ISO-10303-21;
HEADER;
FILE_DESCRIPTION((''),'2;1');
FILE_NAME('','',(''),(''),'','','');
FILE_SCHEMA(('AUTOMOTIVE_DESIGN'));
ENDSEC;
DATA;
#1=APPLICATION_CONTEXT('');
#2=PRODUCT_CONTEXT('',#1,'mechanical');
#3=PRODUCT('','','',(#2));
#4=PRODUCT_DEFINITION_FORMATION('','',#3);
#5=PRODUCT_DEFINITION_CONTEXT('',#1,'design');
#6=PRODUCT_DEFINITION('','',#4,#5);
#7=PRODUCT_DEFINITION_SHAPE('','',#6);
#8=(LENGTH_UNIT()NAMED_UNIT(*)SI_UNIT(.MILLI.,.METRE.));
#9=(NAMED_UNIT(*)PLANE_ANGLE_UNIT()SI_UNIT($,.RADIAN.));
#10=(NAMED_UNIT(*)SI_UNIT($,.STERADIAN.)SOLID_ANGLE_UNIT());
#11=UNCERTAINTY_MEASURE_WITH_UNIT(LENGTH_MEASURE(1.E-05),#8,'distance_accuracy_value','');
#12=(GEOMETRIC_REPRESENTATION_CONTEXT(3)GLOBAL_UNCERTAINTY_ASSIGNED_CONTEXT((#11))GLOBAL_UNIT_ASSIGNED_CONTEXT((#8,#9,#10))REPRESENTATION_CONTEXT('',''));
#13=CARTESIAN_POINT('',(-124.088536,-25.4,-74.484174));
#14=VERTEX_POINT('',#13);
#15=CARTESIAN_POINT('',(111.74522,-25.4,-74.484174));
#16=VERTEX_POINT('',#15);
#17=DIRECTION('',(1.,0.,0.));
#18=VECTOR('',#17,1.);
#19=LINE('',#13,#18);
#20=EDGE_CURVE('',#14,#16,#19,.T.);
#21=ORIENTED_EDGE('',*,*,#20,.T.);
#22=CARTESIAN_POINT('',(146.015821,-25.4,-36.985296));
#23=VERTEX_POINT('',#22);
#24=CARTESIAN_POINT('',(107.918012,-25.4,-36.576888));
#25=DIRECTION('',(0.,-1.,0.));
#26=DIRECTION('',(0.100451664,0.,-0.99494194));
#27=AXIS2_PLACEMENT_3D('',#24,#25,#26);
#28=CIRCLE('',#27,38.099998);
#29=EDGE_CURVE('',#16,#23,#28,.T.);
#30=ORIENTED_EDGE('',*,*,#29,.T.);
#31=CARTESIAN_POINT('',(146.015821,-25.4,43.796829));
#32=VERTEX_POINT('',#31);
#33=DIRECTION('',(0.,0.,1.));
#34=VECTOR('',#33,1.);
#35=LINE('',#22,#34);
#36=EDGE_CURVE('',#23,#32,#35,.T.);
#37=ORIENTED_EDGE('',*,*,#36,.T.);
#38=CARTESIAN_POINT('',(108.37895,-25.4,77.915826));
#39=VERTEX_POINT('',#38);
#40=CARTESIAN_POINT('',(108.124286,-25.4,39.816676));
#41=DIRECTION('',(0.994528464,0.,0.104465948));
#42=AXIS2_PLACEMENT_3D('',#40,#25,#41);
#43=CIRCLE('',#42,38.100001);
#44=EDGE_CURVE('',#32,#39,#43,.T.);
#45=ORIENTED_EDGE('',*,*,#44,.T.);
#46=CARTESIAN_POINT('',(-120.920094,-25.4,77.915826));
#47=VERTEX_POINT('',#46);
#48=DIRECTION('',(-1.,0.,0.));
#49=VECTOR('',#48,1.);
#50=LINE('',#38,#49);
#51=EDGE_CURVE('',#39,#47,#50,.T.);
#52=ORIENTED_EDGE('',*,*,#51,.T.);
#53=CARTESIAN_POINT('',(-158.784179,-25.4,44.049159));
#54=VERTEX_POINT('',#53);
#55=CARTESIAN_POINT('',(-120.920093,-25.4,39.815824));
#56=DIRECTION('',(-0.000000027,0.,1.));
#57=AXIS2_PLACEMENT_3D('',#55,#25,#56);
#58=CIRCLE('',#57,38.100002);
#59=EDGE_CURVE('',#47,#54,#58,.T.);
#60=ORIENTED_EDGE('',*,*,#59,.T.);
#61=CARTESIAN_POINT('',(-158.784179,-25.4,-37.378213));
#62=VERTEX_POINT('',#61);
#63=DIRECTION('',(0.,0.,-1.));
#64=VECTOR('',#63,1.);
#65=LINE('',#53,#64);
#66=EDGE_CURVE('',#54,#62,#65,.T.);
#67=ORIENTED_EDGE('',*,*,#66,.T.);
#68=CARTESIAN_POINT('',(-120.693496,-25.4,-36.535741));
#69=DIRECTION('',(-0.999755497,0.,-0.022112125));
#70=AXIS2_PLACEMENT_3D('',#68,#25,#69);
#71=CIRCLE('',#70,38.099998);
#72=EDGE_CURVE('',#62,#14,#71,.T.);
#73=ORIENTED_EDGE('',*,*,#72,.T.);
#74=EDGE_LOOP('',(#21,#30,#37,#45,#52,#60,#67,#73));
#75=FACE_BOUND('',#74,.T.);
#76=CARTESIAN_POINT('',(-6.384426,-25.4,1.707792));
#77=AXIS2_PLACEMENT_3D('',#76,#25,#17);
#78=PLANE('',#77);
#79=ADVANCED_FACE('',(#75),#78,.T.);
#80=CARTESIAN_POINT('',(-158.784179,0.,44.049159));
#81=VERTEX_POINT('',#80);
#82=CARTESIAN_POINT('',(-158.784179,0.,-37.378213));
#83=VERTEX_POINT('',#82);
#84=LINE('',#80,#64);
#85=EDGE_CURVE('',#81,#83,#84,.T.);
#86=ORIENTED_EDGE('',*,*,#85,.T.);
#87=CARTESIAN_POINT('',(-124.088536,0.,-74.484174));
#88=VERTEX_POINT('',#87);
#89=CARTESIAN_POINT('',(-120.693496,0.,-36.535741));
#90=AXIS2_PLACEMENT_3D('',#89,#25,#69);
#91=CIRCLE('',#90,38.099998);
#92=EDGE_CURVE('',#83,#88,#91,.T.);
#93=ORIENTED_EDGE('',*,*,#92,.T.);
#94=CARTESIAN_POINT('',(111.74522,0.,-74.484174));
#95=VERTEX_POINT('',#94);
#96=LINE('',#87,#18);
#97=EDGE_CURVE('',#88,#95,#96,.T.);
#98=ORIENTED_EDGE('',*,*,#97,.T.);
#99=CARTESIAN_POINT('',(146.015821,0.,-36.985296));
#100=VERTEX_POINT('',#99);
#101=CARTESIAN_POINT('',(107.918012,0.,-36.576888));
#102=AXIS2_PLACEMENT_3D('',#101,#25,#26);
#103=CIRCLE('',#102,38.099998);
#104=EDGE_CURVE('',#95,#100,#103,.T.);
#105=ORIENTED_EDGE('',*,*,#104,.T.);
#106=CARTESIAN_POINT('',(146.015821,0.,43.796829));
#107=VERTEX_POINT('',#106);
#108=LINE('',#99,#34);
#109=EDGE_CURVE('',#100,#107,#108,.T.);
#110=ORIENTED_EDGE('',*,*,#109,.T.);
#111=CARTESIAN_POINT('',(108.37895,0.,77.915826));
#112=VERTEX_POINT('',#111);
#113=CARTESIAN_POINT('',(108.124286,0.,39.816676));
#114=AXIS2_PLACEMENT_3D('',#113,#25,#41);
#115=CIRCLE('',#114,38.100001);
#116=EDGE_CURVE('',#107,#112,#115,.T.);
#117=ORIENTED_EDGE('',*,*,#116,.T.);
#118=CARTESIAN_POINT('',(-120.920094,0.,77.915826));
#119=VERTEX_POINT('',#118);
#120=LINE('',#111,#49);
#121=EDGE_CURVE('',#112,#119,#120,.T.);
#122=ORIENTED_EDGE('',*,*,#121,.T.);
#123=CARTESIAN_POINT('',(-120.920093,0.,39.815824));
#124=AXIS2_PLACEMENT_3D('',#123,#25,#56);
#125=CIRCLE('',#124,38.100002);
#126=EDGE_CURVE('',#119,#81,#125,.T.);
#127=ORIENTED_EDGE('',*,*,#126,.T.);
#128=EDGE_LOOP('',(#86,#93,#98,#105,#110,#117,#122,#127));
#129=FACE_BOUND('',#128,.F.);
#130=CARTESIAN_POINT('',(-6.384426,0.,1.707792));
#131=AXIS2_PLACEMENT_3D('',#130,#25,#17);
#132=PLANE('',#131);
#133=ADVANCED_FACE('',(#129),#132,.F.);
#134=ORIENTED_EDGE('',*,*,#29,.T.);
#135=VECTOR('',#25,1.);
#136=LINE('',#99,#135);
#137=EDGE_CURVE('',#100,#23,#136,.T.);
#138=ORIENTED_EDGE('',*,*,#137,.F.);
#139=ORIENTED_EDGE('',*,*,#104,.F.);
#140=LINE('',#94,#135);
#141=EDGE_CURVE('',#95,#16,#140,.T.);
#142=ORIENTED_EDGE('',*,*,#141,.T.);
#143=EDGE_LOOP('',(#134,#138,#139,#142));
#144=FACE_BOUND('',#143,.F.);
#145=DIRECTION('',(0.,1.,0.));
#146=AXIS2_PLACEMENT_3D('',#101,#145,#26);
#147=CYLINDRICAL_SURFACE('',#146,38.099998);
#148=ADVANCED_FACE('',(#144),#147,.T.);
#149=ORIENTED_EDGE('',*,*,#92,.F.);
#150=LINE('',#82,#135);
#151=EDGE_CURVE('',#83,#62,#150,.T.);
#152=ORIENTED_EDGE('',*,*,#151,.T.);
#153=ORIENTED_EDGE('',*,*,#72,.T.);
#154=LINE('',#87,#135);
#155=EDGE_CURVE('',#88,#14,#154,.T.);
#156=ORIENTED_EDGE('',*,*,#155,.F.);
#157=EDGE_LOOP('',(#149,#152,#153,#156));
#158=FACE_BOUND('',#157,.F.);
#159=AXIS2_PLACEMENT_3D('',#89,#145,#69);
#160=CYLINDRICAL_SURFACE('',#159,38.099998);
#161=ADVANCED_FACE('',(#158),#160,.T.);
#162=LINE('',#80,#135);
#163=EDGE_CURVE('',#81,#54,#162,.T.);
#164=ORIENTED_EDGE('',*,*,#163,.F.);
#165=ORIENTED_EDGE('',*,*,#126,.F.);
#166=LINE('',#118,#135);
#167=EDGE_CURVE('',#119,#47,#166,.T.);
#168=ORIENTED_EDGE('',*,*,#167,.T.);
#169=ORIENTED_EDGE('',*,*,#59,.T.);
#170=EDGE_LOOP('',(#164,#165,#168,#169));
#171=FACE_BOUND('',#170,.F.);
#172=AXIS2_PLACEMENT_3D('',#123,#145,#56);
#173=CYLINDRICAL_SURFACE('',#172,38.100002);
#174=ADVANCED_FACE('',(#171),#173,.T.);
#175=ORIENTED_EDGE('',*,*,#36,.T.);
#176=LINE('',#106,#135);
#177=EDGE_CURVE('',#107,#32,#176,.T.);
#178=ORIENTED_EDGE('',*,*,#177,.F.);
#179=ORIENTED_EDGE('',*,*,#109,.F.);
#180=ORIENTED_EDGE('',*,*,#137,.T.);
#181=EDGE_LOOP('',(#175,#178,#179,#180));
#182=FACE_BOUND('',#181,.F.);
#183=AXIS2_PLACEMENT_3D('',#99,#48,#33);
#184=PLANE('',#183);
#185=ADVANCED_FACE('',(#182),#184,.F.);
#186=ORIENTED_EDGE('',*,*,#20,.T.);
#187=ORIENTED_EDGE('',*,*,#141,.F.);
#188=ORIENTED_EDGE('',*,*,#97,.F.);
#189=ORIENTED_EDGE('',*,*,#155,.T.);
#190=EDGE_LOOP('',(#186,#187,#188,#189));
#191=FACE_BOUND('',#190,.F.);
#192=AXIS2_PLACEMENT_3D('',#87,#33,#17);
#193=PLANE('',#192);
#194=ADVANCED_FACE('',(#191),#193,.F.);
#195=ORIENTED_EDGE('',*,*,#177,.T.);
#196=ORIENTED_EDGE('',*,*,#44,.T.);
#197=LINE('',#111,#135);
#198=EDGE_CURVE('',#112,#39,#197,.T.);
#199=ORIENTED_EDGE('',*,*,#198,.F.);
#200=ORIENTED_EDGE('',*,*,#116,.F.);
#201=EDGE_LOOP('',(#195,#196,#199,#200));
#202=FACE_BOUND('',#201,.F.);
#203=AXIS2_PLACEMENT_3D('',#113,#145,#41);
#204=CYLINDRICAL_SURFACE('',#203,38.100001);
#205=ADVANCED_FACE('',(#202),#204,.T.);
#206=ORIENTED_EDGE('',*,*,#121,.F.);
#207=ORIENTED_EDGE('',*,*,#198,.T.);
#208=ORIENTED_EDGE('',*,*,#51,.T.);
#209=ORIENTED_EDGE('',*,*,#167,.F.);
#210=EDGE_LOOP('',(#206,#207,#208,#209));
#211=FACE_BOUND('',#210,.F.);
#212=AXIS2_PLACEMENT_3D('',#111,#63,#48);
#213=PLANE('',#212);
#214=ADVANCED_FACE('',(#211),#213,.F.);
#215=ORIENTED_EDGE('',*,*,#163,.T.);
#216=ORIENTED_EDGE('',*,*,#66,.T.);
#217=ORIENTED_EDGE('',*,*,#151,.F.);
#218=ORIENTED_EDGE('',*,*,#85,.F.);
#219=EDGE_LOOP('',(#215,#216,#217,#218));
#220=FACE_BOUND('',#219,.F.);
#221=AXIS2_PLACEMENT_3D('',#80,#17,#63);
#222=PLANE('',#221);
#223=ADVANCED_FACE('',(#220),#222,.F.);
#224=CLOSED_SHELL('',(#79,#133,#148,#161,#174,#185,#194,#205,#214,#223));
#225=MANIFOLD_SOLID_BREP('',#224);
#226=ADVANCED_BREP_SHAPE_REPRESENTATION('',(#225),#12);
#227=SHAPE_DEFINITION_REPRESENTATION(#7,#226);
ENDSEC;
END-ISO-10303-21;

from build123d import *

# Parameters (mm, degrees)
F1_DEPTH = 25.4


with BuildPart() as f1:
    # F0 (on Front) → F1 (new body)
    with BuildSketch(Plane.XZ):
        with BuildLine():
            Line((108.37895, 77.915826), (-120.920094, 77.915826))
            ThreePointArc((-120.920094, 77.915826), (-146.320094, 68.213889), (-158.784179, 44.049159))
            Line((-158.784179, 44.049159), (-158.784179, -35.693267))
            Line((-158.784179, -35.693267), (-158.784179, -37.378213))
            ThreePointArc((-158.784179, -37.378213), (-148.522966, -62.557472), (-124.088536, -74.484174))
            Line((-124.088536, -74.484174), (-117.298453, -74.484174))
            Line((-117.298453, -74.484174), (104.0908, -74.484174))
            Line((104.0908, -74.484174), (111.74522, -74.484174))
            ThreePointArc((111.74522, -74.484174), (136.042169, -62.279838), (146.015821, -36.985296))
            Line((146.015821, -36.985296), (146.015821, 35.836525))
            Line((146.015821, 35.836525), (146.015821, 43.796829))
            ThreePointArc((146.015821, 43.796829), (133.713534, 68.04433), (108.37895, 77.915826))
        make_face()
    extrude(amount=F1_DEPTH)


solid = f1.part
